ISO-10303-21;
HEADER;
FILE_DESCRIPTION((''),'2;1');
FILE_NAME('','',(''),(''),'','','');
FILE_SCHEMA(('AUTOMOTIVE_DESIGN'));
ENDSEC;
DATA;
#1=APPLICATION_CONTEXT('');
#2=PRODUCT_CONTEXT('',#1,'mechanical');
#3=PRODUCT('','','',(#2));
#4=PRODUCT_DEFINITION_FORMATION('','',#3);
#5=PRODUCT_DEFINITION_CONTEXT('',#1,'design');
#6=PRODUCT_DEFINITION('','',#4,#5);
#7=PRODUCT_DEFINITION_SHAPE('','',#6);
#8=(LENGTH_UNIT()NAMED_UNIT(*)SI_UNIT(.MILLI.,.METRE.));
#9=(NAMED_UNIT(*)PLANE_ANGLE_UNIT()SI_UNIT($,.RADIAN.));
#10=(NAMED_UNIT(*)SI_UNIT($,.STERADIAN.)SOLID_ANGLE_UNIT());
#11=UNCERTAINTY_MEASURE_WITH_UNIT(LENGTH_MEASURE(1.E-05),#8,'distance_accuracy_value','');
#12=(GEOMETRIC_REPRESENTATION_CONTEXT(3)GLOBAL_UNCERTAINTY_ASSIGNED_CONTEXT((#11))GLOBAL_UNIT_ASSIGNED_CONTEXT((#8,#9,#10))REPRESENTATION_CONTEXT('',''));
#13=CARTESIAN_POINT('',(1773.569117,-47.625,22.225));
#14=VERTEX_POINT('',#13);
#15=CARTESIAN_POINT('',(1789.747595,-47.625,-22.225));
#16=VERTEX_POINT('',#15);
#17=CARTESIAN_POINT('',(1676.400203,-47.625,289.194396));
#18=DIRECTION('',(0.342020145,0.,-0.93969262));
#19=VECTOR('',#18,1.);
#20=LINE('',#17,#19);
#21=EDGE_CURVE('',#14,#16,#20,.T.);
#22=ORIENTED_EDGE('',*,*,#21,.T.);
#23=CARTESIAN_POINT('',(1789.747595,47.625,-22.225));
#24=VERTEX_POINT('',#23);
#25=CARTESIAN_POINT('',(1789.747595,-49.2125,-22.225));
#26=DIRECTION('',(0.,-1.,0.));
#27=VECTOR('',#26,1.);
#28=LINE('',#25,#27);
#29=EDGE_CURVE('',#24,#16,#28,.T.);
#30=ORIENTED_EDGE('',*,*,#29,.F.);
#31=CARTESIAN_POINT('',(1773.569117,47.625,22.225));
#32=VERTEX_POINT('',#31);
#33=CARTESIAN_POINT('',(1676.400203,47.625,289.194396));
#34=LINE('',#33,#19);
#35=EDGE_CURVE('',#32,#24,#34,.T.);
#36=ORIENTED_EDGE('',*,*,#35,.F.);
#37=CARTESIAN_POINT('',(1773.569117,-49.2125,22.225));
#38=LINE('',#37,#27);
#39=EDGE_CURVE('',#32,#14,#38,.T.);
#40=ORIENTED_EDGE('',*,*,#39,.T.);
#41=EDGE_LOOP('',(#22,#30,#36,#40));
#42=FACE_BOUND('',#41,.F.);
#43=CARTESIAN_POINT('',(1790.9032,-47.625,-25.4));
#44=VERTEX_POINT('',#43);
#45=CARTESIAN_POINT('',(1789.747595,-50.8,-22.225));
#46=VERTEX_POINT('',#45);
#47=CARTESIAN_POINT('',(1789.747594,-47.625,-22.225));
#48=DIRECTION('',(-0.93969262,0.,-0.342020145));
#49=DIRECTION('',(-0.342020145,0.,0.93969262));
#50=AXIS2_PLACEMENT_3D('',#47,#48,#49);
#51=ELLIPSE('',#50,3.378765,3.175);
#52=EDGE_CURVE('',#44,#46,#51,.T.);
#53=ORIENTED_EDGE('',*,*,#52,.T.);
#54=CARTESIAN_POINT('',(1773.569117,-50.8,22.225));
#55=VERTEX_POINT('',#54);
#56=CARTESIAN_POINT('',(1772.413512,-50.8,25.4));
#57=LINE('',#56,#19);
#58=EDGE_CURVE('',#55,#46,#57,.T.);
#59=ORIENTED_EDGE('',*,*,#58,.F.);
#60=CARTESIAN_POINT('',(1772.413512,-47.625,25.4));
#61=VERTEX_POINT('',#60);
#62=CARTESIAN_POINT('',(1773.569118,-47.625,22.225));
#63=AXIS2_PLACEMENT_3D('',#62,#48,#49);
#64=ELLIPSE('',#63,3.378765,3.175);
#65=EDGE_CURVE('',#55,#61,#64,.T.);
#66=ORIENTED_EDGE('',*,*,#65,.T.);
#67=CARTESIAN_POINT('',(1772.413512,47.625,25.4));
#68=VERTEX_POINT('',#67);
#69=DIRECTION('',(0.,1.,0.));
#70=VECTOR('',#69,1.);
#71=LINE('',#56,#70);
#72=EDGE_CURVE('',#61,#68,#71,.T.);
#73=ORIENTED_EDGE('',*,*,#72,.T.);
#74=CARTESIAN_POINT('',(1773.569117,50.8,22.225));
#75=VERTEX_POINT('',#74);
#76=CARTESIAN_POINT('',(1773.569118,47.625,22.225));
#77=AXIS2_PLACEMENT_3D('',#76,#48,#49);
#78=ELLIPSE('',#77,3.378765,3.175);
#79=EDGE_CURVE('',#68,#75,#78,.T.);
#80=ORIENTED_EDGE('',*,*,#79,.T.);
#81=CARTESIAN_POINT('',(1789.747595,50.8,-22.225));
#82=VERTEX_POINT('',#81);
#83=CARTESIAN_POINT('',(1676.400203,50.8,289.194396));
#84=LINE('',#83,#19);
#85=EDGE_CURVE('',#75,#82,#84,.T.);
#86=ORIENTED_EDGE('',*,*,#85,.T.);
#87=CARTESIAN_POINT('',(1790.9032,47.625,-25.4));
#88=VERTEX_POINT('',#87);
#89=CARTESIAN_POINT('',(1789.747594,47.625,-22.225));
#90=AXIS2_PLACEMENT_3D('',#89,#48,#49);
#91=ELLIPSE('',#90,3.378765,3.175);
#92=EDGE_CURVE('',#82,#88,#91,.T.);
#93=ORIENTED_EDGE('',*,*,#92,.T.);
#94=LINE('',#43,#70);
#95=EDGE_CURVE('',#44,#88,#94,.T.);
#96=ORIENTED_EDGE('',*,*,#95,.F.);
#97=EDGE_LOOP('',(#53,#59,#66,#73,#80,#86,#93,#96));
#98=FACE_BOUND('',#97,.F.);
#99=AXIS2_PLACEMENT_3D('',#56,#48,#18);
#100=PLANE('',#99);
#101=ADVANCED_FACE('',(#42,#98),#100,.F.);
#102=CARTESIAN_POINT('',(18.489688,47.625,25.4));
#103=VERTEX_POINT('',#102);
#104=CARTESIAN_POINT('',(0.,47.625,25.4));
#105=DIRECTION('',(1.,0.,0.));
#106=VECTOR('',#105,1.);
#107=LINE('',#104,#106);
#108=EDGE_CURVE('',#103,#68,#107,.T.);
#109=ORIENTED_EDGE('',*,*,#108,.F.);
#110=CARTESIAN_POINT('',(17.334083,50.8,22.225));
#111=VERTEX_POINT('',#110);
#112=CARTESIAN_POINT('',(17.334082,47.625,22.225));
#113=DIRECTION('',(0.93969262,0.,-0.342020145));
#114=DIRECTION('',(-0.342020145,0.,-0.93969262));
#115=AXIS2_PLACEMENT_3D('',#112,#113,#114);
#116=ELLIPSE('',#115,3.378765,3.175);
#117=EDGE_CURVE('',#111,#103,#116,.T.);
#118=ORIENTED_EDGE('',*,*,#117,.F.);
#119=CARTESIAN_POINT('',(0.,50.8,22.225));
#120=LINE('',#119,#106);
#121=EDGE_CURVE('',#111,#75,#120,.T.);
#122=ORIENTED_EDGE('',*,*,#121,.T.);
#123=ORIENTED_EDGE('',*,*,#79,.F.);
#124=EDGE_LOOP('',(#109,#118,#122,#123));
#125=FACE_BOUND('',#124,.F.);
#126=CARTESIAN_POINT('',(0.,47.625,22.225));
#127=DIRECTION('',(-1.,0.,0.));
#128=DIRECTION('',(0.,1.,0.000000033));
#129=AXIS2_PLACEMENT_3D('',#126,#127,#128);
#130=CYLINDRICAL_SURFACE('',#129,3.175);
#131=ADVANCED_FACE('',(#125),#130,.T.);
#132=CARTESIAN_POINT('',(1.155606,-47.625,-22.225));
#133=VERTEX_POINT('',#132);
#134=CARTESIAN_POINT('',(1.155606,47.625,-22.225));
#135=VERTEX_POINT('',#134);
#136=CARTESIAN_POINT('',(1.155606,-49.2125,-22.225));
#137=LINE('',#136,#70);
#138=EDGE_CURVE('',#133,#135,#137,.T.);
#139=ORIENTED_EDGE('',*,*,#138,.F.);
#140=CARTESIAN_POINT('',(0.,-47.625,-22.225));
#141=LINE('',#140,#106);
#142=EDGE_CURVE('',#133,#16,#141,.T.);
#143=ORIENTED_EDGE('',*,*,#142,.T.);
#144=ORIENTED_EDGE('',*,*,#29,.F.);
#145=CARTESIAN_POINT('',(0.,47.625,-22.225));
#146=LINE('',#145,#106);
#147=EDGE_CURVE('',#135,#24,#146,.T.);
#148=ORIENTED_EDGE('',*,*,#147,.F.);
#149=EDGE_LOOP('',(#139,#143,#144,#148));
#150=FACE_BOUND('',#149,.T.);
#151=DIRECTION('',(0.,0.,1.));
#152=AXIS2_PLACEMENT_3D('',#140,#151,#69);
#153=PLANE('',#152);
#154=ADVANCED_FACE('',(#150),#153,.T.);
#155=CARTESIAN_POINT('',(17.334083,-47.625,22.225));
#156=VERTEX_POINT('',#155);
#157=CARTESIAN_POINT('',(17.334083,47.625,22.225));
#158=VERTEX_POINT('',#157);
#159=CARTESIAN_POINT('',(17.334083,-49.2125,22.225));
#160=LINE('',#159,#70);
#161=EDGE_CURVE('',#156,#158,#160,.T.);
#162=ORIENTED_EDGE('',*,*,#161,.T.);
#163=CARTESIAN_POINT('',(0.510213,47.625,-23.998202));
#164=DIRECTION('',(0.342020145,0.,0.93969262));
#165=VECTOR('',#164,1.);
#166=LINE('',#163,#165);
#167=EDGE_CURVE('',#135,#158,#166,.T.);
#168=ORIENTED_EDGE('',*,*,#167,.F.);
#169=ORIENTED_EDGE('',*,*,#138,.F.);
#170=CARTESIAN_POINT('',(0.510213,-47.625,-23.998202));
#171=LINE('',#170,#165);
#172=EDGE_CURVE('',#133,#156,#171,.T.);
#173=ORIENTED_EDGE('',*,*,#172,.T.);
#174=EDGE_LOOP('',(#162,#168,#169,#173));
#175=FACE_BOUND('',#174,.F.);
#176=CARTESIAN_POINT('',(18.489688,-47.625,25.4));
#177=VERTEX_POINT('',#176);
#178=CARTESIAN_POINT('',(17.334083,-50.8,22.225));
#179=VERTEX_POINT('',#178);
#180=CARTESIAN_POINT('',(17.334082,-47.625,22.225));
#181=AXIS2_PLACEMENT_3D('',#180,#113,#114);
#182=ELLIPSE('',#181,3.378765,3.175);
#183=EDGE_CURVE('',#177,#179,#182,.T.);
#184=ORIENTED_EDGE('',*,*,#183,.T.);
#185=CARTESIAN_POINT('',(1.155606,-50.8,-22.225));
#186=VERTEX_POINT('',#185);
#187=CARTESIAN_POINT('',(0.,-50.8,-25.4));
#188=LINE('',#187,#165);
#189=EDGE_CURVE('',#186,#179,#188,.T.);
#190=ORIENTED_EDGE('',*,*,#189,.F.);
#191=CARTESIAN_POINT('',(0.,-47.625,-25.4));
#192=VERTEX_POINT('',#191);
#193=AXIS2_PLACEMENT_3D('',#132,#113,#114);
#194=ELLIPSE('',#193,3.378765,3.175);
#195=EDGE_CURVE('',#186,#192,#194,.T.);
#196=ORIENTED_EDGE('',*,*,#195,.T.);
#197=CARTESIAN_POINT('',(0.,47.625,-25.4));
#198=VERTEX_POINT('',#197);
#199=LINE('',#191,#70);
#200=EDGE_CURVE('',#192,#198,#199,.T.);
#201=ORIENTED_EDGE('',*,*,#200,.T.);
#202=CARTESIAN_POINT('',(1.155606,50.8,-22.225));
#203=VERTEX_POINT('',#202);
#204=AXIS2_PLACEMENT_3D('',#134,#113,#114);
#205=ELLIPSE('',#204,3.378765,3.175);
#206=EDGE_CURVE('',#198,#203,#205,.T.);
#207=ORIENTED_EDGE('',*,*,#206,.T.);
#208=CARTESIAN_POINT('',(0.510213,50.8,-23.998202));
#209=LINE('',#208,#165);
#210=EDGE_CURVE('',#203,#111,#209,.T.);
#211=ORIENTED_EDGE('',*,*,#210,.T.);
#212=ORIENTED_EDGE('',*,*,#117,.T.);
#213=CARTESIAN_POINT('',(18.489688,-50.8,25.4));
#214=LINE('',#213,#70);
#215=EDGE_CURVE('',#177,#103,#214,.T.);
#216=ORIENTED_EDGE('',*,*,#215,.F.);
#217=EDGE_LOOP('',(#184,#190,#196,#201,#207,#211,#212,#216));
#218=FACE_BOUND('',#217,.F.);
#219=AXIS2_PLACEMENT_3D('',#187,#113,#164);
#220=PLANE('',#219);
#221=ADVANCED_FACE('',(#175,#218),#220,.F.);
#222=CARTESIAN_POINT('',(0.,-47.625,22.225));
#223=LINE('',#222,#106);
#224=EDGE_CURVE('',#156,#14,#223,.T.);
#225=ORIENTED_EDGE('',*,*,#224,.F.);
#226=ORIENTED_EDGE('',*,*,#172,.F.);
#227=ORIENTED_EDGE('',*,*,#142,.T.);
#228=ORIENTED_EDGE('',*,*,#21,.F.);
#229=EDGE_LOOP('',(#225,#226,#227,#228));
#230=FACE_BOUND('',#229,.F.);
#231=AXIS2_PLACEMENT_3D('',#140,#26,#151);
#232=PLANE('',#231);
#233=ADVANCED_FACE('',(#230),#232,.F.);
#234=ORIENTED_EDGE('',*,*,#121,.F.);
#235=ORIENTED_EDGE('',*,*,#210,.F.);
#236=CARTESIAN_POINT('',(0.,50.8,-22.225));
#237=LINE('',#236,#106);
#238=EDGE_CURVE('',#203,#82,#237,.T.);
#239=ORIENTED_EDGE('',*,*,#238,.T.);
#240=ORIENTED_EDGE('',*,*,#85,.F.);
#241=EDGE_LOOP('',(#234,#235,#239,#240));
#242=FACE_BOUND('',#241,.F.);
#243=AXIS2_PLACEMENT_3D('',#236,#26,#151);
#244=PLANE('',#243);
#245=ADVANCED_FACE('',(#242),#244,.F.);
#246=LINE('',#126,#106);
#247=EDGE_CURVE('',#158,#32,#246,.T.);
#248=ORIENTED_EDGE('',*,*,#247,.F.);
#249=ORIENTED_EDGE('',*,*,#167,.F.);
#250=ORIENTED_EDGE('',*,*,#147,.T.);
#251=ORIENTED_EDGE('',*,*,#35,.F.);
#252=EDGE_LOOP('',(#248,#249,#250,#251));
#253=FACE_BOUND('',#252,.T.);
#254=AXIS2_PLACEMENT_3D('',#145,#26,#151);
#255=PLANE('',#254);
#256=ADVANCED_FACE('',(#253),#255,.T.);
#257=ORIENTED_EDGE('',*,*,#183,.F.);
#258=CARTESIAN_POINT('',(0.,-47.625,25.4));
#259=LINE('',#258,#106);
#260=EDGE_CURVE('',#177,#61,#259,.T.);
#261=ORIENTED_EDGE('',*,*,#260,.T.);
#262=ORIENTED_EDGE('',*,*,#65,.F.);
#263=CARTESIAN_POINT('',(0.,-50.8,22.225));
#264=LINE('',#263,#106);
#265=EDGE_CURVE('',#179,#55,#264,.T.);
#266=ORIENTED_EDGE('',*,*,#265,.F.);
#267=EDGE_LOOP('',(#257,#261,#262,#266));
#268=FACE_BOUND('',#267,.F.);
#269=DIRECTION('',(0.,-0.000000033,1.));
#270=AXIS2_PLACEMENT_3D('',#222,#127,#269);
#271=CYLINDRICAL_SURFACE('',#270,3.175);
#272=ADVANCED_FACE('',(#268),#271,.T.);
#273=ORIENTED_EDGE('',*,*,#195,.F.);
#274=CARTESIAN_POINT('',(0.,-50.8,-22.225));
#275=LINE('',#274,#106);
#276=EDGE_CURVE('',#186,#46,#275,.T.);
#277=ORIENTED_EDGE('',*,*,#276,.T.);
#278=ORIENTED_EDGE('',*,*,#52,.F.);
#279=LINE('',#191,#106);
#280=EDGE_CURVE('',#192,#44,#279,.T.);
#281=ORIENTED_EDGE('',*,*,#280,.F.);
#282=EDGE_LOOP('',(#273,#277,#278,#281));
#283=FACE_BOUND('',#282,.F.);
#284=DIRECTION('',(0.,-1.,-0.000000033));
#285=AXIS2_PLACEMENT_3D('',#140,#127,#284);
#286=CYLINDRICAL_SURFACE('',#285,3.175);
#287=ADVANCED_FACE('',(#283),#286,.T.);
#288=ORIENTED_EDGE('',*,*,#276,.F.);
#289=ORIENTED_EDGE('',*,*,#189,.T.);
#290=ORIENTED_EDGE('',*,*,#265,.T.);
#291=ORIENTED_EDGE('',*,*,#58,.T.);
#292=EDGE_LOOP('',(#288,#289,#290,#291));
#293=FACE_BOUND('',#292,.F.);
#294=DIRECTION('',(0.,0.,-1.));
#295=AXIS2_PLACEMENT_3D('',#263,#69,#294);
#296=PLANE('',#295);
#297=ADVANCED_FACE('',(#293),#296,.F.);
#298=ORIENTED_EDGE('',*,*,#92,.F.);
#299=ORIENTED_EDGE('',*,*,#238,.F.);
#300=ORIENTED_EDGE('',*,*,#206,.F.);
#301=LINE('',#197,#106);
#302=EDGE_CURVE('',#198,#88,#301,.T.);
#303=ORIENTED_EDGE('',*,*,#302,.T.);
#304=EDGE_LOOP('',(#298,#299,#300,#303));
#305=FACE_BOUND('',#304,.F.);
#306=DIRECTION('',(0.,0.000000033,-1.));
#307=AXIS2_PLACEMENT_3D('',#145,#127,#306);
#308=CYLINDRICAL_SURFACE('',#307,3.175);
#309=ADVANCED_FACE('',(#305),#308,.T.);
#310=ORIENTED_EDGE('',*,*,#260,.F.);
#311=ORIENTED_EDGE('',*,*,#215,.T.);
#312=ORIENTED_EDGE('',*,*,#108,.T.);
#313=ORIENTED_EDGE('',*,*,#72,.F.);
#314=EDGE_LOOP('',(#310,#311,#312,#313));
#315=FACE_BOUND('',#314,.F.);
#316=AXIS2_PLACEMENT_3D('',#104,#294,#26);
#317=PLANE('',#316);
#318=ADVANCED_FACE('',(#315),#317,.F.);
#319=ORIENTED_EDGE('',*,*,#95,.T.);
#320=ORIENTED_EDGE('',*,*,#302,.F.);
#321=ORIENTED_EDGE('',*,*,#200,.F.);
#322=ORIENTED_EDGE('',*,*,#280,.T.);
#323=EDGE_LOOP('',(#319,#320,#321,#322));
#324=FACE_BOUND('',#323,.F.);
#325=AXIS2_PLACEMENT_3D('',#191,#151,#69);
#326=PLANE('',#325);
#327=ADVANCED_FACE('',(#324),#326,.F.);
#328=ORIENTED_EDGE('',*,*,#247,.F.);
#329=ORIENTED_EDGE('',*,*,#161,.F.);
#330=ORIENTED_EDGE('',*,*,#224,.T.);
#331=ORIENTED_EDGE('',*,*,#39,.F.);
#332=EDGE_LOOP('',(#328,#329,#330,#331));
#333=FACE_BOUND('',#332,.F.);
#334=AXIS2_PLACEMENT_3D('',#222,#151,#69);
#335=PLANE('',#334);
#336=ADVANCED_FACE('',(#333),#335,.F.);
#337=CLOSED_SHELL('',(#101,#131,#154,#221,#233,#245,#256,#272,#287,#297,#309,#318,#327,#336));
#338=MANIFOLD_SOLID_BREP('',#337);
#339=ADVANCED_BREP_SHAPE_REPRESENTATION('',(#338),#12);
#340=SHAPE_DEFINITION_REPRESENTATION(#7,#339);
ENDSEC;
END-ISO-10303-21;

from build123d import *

# Parameters (mm, degrees)
F0_W     = 95.25
F0_H     = 44.45
F1_DEPTH = 1790.9032
F3_DEPTH = 101.601


with BuildPart() as f1:
    # F0 (on Right) → F1 (new body)
    with BuildSketch(Plane.YZ):
        with BuildLine():
            ThreePointArc((50.8, 22.225), (49.870064, 24.470064), (47.625, 25.4))
            Line((47.625, 25.4), (-47.625, 25.4))
            ThreePointArc((-47.625, 25.4), (-49.870064, 24.470064), (-50.8, 22.225))
            Line((-50.8, 22.225), (-50.8, -22.225))
            ThreePointArc((-50.8, -22.225), (-49.870064, -24.470064), (-47.625, -25.4))
            Line((-47.625, -25.4), (47.625, -25.4))
            ThreePointArc((47.625, -25.4), (49.870064, -24.470064), (50.8, -22.225))
            Line((50.8, -22.225), (50.8, 22.225))
        make_face()
        Rectangle(F0_W, F0_H, mode=Mode.SUBTRACT)
    extrude(amount=F1_DEPTH)

    # F2 (on face) → F3 (cut, through all)
    with BuildSketch(Plane.XZ.offset(50.8)):
        Polygon((0, -25.4), (18.489688, 25.4), (0, 25.4), align=None)
        Polygon((1790.9032, -25.4), (1790.9032, 25.4), (1772.413512, 25.4), align=None)
    extrude(amount=-F3_DEPTH, mode=Mode.SUBTRACT)


solid = f1.part
